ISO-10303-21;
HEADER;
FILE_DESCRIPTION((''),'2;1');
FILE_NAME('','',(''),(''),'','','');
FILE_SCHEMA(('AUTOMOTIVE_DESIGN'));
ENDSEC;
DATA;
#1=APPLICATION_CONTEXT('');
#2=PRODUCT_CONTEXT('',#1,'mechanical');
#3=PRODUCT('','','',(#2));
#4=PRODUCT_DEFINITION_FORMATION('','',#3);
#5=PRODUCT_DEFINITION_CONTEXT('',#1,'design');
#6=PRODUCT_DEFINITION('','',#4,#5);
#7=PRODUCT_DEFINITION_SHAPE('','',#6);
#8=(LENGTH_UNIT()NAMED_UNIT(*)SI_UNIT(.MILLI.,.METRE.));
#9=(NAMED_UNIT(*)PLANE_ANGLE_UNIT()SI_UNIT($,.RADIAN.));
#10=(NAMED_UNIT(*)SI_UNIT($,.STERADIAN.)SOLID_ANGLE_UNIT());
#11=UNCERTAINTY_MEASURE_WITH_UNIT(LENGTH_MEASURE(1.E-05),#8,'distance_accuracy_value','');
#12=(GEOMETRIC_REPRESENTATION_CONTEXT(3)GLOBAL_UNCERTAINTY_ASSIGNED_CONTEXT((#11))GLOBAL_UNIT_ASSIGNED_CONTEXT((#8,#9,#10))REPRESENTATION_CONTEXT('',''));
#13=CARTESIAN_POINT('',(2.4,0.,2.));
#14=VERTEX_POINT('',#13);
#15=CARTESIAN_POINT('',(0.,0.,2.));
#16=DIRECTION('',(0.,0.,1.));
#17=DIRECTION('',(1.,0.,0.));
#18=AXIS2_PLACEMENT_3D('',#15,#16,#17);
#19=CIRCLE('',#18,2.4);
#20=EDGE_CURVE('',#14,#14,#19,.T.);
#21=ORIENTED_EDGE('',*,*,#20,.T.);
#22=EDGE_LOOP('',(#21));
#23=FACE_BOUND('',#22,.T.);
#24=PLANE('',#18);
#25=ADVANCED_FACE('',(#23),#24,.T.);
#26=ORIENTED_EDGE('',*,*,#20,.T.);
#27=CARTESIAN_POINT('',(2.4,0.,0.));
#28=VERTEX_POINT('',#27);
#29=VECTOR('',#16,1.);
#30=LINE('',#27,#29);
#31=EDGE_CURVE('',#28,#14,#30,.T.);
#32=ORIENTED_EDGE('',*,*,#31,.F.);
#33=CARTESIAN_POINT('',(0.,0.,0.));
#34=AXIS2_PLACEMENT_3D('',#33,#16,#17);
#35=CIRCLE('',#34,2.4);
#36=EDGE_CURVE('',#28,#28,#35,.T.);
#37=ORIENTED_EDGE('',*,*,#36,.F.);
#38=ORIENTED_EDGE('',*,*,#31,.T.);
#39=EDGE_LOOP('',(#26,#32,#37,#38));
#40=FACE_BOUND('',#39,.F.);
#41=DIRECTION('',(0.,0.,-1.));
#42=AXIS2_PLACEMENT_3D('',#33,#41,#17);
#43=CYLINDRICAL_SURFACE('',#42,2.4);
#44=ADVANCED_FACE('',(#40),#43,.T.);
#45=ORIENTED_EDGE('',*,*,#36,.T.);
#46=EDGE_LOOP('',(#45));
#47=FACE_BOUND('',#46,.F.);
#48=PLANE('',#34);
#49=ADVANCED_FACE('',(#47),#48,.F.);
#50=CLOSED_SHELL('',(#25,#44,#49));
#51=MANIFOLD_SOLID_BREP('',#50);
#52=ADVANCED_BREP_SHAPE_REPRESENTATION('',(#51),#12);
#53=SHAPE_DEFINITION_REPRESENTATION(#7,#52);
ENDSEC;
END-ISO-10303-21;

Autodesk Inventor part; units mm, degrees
ref_plane "YZ Plane" through (0, 0, 0) normal (1, 0, 0) x (0, 1, 0)
ref_plane "XZ Plane" through (0, 0, 0) normal (0, 1, 0) x (-1, 0, 0)
ref_plane "XY Plane" through (0, 0, 0) normal (0, 0, 1) x (1, 0, 0)
sketch "Esquisse1" plane through (0, 0, 0) normal (0, 0, 1) x (1, 0, 0)
  circle A0 centre (0, 0) radius 2.4
  dimension "d0" = 4.8
extrude "Extrusion1" add sketch "Esquisse1" along normal blind 2
properties part number "plug_small_magnet5_holder"
